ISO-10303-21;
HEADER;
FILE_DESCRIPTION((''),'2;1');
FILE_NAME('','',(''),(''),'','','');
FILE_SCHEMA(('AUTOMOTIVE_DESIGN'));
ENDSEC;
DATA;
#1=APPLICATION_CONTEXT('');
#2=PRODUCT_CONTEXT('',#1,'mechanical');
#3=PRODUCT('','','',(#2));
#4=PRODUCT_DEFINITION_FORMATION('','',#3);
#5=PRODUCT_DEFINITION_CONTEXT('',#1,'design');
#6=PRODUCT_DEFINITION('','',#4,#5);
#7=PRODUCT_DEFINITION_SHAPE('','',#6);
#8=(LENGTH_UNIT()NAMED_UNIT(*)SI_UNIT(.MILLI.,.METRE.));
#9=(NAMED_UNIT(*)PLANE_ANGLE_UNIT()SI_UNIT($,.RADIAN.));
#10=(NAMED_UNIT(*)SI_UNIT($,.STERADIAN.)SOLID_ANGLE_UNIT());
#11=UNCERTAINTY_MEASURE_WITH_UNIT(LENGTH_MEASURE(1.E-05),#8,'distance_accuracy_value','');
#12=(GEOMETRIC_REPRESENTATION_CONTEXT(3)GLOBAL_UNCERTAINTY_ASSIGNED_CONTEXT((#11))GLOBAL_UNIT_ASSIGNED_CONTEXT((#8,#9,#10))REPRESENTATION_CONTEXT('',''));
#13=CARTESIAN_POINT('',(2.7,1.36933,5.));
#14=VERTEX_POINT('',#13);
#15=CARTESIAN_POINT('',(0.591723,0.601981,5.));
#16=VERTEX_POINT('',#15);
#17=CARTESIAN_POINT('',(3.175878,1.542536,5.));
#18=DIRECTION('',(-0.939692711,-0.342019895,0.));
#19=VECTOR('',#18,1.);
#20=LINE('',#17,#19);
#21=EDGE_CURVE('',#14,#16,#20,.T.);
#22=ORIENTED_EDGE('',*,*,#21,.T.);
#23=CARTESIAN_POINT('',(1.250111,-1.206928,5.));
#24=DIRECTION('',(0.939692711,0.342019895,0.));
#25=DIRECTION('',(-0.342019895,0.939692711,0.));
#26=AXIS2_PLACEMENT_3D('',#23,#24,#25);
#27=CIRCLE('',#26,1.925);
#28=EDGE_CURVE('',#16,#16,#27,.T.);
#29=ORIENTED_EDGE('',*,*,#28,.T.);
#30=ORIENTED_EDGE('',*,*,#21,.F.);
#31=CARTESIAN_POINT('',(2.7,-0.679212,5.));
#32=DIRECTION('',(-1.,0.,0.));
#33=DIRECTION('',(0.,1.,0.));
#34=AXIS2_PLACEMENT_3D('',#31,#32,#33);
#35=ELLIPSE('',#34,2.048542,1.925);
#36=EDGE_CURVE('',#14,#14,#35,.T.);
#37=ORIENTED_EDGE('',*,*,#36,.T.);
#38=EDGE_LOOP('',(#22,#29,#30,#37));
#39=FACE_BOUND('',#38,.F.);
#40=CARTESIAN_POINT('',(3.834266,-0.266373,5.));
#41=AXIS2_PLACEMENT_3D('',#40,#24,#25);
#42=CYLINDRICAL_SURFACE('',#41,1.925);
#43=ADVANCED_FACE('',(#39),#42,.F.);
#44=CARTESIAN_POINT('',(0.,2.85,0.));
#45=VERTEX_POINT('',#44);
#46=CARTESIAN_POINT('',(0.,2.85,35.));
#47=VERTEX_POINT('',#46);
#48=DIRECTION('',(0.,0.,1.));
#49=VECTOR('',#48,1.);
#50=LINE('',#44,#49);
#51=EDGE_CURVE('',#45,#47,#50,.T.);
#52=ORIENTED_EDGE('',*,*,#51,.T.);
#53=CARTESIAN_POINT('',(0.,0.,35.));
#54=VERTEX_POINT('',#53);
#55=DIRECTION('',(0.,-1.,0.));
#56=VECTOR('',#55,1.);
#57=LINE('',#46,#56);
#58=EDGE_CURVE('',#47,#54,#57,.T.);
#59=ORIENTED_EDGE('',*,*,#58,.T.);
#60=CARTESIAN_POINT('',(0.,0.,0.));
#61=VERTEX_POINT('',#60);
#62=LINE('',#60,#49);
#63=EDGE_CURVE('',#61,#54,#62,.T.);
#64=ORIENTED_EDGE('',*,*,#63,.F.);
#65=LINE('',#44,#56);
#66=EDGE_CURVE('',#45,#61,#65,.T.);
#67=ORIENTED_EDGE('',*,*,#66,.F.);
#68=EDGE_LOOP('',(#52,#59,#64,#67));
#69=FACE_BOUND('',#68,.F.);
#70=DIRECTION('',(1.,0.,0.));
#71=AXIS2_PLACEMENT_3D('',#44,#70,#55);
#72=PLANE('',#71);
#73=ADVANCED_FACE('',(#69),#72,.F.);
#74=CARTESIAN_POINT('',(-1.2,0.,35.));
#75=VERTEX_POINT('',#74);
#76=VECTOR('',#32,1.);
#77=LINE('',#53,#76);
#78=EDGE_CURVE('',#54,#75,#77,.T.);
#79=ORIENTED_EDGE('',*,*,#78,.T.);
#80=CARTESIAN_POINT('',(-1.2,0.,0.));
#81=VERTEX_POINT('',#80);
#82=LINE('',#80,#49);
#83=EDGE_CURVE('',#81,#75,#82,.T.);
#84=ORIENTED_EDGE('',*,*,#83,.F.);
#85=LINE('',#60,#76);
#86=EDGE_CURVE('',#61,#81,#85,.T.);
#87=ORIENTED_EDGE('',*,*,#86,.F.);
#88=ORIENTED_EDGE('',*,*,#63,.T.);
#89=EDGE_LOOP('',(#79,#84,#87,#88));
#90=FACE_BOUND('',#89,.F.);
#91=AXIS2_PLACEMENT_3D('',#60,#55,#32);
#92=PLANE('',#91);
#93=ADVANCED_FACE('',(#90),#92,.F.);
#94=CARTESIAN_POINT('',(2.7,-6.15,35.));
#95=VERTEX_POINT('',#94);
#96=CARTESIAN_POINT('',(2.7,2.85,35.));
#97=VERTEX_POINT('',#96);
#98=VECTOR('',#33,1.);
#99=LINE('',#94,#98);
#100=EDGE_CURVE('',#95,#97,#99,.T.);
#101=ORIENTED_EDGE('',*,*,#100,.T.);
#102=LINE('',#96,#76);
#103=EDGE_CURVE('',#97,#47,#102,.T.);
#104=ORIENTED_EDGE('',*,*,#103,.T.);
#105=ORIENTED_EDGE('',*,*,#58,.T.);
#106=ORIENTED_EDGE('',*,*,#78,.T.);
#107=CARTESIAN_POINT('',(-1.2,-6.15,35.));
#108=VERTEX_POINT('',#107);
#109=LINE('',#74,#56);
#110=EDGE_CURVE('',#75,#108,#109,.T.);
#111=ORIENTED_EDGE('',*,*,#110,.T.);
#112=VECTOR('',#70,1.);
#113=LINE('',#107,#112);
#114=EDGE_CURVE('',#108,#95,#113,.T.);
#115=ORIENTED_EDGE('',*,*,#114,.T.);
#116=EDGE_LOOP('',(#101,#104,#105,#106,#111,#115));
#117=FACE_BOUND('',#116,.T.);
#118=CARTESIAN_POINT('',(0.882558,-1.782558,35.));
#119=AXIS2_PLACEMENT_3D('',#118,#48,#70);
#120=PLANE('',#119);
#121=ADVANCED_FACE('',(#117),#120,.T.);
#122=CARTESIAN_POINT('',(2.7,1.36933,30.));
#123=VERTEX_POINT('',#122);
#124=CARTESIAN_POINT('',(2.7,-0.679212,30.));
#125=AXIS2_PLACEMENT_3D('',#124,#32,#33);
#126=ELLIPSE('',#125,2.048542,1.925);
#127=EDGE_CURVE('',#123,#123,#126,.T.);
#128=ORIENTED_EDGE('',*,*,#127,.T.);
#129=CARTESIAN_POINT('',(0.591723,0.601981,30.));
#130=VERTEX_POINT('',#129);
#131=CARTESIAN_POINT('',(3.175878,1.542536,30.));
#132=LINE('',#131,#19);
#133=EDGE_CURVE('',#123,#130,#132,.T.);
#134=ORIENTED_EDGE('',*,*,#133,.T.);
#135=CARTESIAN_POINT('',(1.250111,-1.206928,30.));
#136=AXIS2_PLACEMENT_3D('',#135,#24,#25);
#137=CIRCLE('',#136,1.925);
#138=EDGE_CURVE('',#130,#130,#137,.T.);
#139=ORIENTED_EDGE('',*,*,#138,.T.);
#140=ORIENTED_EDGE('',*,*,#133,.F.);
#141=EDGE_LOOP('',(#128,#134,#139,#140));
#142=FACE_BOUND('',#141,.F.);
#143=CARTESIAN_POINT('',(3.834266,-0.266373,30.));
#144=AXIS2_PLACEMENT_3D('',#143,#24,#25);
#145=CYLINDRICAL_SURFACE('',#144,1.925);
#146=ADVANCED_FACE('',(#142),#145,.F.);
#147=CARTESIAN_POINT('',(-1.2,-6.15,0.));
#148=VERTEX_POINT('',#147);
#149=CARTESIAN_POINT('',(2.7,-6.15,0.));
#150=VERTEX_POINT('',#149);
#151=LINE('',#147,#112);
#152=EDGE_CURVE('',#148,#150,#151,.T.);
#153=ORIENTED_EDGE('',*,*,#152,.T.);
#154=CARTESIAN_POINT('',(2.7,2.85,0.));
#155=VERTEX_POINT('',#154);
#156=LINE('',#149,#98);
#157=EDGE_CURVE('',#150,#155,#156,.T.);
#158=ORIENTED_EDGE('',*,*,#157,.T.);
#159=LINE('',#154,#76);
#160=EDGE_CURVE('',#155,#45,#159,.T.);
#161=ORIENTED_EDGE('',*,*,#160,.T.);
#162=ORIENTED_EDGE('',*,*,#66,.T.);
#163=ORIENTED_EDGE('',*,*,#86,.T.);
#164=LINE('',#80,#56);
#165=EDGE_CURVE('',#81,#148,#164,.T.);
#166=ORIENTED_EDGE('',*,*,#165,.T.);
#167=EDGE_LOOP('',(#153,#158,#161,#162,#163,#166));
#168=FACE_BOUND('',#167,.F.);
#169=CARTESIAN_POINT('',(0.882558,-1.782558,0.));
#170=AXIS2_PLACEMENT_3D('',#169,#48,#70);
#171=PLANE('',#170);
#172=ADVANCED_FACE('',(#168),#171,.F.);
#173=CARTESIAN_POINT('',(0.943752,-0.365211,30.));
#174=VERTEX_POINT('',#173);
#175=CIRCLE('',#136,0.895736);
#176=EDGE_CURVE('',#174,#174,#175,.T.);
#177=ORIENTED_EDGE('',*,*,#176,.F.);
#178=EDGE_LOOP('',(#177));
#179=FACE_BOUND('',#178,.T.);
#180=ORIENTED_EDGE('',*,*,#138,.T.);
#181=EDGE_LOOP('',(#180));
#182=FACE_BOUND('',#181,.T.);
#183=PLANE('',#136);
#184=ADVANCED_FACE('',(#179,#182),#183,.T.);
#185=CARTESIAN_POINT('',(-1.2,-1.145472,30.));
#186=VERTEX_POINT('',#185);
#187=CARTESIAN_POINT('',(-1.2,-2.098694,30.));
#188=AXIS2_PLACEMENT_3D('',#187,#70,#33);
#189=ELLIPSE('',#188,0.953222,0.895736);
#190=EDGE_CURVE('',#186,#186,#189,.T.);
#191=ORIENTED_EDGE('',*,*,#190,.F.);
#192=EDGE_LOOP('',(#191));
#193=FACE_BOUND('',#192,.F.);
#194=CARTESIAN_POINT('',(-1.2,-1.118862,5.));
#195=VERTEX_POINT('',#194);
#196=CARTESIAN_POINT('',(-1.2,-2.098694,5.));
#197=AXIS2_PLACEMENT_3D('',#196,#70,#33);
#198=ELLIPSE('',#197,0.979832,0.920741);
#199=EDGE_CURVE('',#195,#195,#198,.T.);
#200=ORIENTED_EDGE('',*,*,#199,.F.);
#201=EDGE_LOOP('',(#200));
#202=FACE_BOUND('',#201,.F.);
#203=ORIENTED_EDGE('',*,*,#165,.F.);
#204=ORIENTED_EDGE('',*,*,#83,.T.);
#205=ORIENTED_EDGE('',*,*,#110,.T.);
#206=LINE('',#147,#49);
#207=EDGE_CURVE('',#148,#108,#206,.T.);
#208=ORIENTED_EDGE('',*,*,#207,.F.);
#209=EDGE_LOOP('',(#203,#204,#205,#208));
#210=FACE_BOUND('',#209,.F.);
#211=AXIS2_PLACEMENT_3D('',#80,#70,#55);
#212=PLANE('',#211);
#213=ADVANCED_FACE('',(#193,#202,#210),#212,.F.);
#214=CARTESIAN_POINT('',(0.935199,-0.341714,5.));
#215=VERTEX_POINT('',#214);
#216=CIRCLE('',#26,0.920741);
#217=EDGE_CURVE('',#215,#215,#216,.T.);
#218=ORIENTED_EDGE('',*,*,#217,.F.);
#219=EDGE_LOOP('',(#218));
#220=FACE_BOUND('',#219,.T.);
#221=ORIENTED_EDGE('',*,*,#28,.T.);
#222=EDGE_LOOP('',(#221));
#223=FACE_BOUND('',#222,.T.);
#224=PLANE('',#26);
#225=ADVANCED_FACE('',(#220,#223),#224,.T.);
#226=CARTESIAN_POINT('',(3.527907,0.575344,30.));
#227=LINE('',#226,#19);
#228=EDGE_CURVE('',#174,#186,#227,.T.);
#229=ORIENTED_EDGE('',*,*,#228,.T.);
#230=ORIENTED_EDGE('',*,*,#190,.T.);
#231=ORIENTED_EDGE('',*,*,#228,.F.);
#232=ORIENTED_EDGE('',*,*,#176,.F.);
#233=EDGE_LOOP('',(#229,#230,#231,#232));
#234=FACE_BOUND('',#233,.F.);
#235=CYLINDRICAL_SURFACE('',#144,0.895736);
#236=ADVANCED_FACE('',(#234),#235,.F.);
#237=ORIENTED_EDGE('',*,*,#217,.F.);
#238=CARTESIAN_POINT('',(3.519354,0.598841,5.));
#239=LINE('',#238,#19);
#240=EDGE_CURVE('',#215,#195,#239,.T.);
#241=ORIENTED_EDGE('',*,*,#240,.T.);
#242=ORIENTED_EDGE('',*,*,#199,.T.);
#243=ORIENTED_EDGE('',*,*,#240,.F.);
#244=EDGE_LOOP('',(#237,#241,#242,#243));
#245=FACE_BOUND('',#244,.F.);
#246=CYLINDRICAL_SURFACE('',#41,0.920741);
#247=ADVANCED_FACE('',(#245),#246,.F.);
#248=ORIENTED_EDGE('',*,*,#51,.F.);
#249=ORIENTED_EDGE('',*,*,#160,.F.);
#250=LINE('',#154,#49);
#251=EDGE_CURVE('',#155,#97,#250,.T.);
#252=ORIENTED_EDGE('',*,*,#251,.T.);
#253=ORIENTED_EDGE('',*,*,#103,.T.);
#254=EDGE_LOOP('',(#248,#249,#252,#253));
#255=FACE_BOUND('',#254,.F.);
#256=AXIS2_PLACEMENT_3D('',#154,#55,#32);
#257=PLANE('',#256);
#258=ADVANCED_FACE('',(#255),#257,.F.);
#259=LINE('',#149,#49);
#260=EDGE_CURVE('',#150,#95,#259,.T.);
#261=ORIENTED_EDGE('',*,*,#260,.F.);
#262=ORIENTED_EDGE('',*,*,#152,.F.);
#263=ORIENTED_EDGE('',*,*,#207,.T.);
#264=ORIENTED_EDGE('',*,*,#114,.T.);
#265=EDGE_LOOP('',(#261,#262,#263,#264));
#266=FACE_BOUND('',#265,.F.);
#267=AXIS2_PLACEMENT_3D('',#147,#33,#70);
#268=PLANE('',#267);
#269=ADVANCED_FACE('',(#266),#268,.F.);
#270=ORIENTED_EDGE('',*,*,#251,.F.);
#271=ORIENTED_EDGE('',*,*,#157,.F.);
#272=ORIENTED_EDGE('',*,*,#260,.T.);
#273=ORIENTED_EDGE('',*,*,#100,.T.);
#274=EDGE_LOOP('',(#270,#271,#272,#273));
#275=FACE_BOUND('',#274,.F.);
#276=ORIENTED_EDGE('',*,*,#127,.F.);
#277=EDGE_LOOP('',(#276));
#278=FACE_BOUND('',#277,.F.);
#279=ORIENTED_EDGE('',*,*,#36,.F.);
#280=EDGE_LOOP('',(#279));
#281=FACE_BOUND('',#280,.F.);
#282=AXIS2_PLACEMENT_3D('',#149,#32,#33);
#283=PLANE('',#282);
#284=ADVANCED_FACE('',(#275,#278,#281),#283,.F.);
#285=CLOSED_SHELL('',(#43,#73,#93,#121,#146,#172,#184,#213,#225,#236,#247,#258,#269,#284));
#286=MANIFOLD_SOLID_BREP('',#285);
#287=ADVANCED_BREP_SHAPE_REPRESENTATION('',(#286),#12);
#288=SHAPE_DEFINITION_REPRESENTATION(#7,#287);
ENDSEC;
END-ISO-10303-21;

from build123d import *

# Parameters (mm, degrees)
F1_DEPTH = 35
F3_R     = 0.895736
F3_R_2   = 0.920741
F4_DEPTH = 6.743983
F5_R     = 1.925
F6_DEPTH = 2.75


with BuildPart() as f1:
    # F0 (on Top) → F1 (new body)
    with BuildSketch(Plane.XY):
        Polygon((0, 2.85), (0, 0), (-1.2, 0), (-1.2, -6.15), (2.7, -6.15), (2.7, 2.85), align=None)
    extrude(amount=F1_DEPTH)

    # F3 (on face) → F4 (cut, through all)
    with BuildSketch(Plane(origin=(3.300132, 1.20115, 0), x_dir=(-0.34202, 0.939693, 0), z_dir=(0.939693, 0.34202, 0))):
        with Locations((-1.561705, 30)):
            Circle(F3_R)
        with Locations((-1.561705, 5)):
            Circle(F3_R_2)
    extrude(amount=-F4_DEPTH, mode=Mode.SUBTRACT)

    # F5 (on face) → F6 (cut)
    with BuildSketch(Plane(origin=(3.300132, 1.20115, 0), x_dir=(-0.34202, 0.939693, 0), z_dir=(0.939693, 0.34202, 0))):
        with Locations((-1.561705, 30)):
            Circle(F5_R)
        with Locations((-1.561705, 5)):
            Circle(F5_R)
    extrude(amount=-F6_DEPTH, mode=Mode.SUBTRACT)


solid = f1.part
